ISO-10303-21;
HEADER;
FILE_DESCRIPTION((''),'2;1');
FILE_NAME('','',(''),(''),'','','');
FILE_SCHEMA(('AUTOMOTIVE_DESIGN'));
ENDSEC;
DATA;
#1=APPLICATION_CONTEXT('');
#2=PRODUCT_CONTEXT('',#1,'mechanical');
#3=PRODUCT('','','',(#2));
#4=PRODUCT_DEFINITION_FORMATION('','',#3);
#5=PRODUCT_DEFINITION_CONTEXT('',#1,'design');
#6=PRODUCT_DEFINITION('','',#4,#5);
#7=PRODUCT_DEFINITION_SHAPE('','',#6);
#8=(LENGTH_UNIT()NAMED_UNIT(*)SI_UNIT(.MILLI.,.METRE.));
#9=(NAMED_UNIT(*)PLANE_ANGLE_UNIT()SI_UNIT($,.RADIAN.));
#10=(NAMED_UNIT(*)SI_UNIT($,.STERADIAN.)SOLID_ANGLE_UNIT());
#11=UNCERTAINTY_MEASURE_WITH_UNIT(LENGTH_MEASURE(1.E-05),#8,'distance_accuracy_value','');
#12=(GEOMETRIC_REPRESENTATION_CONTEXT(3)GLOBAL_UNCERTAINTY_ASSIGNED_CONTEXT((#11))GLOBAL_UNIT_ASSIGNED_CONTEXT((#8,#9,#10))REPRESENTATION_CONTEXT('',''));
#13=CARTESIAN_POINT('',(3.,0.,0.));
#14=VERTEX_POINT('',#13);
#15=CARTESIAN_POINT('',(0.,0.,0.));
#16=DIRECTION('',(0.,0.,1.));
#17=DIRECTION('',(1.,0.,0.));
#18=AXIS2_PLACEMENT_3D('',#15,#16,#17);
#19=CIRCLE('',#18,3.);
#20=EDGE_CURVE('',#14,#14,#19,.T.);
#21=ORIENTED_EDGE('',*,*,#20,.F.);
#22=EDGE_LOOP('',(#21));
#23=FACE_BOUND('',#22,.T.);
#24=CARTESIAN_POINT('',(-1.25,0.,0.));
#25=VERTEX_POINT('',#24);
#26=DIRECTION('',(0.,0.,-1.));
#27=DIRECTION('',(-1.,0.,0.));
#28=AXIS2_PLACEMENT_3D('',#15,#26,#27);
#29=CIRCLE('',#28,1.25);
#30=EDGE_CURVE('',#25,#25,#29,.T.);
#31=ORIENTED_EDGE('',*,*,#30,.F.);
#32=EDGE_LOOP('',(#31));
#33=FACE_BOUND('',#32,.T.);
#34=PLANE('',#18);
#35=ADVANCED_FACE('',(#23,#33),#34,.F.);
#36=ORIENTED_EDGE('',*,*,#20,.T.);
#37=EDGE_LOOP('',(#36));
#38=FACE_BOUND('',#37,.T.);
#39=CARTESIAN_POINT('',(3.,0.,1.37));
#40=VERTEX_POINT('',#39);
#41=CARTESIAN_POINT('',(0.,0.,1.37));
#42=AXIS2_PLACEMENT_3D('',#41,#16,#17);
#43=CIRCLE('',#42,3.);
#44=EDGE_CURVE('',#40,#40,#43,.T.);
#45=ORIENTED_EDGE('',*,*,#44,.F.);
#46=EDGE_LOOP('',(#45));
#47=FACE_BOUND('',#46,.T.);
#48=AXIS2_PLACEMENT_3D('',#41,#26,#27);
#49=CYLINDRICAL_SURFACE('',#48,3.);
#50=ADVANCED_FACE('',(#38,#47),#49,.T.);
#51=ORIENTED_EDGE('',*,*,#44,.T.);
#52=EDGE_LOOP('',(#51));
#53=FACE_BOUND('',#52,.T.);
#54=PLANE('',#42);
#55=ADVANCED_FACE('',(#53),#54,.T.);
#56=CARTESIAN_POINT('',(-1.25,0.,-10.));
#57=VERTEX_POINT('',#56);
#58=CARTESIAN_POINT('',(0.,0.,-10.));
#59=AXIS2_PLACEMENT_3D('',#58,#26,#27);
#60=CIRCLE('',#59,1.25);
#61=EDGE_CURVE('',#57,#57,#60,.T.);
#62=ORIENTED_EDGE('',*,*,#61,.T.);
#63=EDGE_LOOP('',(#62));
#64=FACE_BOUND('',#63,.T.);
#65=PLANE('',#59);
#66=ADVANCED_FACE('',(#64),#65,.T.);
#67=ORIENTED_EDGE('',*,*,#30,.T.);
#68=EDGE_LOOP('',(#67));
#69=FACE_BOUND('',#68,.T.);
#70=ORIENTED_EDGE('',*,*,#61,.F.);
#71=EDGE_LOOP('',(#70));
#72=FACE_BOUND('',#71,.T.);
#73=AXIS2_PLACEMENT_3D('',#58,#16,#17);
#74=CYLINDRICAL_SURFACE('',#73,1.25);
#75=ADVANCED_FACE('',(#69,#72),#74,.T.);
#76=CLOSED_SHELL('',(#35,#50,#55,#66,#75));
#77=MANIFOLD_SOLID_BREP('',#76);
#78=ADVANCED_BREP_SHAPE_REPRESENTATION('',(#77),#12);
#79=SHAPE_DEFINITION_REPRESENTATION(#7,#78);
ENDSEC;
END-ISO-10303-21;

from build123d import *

# Parameters (mm, degrees)
ESQUISSE1_R        = 3
BOSS_EXTRU_1_DEPTH = 1.37
ESQUISSE2_R        = 1.25
BOSS_EXTRU_2_DEPTH = 10


with BuildPart() as part:
    # Esquisse1 → Boss.-Extru.1 (new body)
    with BuildSketch(Plane.XY):
        Circle(ESQUISSE1_R)
    extrude(amount=BOSS_EXTRU_1_DEPTH)

    # Esquisse2 → Boss.-Extru.2 (add)
    with BuildSketch(Plane(origin=(0, 0, 0), x_dir=(-1, 0, 0), z_dir=(0, 0, -1))):
        Circle(ESQUISSE2_R)
    extrude(amount=BOSS_EXTRU_2_DEPTH)


solid = part.part
